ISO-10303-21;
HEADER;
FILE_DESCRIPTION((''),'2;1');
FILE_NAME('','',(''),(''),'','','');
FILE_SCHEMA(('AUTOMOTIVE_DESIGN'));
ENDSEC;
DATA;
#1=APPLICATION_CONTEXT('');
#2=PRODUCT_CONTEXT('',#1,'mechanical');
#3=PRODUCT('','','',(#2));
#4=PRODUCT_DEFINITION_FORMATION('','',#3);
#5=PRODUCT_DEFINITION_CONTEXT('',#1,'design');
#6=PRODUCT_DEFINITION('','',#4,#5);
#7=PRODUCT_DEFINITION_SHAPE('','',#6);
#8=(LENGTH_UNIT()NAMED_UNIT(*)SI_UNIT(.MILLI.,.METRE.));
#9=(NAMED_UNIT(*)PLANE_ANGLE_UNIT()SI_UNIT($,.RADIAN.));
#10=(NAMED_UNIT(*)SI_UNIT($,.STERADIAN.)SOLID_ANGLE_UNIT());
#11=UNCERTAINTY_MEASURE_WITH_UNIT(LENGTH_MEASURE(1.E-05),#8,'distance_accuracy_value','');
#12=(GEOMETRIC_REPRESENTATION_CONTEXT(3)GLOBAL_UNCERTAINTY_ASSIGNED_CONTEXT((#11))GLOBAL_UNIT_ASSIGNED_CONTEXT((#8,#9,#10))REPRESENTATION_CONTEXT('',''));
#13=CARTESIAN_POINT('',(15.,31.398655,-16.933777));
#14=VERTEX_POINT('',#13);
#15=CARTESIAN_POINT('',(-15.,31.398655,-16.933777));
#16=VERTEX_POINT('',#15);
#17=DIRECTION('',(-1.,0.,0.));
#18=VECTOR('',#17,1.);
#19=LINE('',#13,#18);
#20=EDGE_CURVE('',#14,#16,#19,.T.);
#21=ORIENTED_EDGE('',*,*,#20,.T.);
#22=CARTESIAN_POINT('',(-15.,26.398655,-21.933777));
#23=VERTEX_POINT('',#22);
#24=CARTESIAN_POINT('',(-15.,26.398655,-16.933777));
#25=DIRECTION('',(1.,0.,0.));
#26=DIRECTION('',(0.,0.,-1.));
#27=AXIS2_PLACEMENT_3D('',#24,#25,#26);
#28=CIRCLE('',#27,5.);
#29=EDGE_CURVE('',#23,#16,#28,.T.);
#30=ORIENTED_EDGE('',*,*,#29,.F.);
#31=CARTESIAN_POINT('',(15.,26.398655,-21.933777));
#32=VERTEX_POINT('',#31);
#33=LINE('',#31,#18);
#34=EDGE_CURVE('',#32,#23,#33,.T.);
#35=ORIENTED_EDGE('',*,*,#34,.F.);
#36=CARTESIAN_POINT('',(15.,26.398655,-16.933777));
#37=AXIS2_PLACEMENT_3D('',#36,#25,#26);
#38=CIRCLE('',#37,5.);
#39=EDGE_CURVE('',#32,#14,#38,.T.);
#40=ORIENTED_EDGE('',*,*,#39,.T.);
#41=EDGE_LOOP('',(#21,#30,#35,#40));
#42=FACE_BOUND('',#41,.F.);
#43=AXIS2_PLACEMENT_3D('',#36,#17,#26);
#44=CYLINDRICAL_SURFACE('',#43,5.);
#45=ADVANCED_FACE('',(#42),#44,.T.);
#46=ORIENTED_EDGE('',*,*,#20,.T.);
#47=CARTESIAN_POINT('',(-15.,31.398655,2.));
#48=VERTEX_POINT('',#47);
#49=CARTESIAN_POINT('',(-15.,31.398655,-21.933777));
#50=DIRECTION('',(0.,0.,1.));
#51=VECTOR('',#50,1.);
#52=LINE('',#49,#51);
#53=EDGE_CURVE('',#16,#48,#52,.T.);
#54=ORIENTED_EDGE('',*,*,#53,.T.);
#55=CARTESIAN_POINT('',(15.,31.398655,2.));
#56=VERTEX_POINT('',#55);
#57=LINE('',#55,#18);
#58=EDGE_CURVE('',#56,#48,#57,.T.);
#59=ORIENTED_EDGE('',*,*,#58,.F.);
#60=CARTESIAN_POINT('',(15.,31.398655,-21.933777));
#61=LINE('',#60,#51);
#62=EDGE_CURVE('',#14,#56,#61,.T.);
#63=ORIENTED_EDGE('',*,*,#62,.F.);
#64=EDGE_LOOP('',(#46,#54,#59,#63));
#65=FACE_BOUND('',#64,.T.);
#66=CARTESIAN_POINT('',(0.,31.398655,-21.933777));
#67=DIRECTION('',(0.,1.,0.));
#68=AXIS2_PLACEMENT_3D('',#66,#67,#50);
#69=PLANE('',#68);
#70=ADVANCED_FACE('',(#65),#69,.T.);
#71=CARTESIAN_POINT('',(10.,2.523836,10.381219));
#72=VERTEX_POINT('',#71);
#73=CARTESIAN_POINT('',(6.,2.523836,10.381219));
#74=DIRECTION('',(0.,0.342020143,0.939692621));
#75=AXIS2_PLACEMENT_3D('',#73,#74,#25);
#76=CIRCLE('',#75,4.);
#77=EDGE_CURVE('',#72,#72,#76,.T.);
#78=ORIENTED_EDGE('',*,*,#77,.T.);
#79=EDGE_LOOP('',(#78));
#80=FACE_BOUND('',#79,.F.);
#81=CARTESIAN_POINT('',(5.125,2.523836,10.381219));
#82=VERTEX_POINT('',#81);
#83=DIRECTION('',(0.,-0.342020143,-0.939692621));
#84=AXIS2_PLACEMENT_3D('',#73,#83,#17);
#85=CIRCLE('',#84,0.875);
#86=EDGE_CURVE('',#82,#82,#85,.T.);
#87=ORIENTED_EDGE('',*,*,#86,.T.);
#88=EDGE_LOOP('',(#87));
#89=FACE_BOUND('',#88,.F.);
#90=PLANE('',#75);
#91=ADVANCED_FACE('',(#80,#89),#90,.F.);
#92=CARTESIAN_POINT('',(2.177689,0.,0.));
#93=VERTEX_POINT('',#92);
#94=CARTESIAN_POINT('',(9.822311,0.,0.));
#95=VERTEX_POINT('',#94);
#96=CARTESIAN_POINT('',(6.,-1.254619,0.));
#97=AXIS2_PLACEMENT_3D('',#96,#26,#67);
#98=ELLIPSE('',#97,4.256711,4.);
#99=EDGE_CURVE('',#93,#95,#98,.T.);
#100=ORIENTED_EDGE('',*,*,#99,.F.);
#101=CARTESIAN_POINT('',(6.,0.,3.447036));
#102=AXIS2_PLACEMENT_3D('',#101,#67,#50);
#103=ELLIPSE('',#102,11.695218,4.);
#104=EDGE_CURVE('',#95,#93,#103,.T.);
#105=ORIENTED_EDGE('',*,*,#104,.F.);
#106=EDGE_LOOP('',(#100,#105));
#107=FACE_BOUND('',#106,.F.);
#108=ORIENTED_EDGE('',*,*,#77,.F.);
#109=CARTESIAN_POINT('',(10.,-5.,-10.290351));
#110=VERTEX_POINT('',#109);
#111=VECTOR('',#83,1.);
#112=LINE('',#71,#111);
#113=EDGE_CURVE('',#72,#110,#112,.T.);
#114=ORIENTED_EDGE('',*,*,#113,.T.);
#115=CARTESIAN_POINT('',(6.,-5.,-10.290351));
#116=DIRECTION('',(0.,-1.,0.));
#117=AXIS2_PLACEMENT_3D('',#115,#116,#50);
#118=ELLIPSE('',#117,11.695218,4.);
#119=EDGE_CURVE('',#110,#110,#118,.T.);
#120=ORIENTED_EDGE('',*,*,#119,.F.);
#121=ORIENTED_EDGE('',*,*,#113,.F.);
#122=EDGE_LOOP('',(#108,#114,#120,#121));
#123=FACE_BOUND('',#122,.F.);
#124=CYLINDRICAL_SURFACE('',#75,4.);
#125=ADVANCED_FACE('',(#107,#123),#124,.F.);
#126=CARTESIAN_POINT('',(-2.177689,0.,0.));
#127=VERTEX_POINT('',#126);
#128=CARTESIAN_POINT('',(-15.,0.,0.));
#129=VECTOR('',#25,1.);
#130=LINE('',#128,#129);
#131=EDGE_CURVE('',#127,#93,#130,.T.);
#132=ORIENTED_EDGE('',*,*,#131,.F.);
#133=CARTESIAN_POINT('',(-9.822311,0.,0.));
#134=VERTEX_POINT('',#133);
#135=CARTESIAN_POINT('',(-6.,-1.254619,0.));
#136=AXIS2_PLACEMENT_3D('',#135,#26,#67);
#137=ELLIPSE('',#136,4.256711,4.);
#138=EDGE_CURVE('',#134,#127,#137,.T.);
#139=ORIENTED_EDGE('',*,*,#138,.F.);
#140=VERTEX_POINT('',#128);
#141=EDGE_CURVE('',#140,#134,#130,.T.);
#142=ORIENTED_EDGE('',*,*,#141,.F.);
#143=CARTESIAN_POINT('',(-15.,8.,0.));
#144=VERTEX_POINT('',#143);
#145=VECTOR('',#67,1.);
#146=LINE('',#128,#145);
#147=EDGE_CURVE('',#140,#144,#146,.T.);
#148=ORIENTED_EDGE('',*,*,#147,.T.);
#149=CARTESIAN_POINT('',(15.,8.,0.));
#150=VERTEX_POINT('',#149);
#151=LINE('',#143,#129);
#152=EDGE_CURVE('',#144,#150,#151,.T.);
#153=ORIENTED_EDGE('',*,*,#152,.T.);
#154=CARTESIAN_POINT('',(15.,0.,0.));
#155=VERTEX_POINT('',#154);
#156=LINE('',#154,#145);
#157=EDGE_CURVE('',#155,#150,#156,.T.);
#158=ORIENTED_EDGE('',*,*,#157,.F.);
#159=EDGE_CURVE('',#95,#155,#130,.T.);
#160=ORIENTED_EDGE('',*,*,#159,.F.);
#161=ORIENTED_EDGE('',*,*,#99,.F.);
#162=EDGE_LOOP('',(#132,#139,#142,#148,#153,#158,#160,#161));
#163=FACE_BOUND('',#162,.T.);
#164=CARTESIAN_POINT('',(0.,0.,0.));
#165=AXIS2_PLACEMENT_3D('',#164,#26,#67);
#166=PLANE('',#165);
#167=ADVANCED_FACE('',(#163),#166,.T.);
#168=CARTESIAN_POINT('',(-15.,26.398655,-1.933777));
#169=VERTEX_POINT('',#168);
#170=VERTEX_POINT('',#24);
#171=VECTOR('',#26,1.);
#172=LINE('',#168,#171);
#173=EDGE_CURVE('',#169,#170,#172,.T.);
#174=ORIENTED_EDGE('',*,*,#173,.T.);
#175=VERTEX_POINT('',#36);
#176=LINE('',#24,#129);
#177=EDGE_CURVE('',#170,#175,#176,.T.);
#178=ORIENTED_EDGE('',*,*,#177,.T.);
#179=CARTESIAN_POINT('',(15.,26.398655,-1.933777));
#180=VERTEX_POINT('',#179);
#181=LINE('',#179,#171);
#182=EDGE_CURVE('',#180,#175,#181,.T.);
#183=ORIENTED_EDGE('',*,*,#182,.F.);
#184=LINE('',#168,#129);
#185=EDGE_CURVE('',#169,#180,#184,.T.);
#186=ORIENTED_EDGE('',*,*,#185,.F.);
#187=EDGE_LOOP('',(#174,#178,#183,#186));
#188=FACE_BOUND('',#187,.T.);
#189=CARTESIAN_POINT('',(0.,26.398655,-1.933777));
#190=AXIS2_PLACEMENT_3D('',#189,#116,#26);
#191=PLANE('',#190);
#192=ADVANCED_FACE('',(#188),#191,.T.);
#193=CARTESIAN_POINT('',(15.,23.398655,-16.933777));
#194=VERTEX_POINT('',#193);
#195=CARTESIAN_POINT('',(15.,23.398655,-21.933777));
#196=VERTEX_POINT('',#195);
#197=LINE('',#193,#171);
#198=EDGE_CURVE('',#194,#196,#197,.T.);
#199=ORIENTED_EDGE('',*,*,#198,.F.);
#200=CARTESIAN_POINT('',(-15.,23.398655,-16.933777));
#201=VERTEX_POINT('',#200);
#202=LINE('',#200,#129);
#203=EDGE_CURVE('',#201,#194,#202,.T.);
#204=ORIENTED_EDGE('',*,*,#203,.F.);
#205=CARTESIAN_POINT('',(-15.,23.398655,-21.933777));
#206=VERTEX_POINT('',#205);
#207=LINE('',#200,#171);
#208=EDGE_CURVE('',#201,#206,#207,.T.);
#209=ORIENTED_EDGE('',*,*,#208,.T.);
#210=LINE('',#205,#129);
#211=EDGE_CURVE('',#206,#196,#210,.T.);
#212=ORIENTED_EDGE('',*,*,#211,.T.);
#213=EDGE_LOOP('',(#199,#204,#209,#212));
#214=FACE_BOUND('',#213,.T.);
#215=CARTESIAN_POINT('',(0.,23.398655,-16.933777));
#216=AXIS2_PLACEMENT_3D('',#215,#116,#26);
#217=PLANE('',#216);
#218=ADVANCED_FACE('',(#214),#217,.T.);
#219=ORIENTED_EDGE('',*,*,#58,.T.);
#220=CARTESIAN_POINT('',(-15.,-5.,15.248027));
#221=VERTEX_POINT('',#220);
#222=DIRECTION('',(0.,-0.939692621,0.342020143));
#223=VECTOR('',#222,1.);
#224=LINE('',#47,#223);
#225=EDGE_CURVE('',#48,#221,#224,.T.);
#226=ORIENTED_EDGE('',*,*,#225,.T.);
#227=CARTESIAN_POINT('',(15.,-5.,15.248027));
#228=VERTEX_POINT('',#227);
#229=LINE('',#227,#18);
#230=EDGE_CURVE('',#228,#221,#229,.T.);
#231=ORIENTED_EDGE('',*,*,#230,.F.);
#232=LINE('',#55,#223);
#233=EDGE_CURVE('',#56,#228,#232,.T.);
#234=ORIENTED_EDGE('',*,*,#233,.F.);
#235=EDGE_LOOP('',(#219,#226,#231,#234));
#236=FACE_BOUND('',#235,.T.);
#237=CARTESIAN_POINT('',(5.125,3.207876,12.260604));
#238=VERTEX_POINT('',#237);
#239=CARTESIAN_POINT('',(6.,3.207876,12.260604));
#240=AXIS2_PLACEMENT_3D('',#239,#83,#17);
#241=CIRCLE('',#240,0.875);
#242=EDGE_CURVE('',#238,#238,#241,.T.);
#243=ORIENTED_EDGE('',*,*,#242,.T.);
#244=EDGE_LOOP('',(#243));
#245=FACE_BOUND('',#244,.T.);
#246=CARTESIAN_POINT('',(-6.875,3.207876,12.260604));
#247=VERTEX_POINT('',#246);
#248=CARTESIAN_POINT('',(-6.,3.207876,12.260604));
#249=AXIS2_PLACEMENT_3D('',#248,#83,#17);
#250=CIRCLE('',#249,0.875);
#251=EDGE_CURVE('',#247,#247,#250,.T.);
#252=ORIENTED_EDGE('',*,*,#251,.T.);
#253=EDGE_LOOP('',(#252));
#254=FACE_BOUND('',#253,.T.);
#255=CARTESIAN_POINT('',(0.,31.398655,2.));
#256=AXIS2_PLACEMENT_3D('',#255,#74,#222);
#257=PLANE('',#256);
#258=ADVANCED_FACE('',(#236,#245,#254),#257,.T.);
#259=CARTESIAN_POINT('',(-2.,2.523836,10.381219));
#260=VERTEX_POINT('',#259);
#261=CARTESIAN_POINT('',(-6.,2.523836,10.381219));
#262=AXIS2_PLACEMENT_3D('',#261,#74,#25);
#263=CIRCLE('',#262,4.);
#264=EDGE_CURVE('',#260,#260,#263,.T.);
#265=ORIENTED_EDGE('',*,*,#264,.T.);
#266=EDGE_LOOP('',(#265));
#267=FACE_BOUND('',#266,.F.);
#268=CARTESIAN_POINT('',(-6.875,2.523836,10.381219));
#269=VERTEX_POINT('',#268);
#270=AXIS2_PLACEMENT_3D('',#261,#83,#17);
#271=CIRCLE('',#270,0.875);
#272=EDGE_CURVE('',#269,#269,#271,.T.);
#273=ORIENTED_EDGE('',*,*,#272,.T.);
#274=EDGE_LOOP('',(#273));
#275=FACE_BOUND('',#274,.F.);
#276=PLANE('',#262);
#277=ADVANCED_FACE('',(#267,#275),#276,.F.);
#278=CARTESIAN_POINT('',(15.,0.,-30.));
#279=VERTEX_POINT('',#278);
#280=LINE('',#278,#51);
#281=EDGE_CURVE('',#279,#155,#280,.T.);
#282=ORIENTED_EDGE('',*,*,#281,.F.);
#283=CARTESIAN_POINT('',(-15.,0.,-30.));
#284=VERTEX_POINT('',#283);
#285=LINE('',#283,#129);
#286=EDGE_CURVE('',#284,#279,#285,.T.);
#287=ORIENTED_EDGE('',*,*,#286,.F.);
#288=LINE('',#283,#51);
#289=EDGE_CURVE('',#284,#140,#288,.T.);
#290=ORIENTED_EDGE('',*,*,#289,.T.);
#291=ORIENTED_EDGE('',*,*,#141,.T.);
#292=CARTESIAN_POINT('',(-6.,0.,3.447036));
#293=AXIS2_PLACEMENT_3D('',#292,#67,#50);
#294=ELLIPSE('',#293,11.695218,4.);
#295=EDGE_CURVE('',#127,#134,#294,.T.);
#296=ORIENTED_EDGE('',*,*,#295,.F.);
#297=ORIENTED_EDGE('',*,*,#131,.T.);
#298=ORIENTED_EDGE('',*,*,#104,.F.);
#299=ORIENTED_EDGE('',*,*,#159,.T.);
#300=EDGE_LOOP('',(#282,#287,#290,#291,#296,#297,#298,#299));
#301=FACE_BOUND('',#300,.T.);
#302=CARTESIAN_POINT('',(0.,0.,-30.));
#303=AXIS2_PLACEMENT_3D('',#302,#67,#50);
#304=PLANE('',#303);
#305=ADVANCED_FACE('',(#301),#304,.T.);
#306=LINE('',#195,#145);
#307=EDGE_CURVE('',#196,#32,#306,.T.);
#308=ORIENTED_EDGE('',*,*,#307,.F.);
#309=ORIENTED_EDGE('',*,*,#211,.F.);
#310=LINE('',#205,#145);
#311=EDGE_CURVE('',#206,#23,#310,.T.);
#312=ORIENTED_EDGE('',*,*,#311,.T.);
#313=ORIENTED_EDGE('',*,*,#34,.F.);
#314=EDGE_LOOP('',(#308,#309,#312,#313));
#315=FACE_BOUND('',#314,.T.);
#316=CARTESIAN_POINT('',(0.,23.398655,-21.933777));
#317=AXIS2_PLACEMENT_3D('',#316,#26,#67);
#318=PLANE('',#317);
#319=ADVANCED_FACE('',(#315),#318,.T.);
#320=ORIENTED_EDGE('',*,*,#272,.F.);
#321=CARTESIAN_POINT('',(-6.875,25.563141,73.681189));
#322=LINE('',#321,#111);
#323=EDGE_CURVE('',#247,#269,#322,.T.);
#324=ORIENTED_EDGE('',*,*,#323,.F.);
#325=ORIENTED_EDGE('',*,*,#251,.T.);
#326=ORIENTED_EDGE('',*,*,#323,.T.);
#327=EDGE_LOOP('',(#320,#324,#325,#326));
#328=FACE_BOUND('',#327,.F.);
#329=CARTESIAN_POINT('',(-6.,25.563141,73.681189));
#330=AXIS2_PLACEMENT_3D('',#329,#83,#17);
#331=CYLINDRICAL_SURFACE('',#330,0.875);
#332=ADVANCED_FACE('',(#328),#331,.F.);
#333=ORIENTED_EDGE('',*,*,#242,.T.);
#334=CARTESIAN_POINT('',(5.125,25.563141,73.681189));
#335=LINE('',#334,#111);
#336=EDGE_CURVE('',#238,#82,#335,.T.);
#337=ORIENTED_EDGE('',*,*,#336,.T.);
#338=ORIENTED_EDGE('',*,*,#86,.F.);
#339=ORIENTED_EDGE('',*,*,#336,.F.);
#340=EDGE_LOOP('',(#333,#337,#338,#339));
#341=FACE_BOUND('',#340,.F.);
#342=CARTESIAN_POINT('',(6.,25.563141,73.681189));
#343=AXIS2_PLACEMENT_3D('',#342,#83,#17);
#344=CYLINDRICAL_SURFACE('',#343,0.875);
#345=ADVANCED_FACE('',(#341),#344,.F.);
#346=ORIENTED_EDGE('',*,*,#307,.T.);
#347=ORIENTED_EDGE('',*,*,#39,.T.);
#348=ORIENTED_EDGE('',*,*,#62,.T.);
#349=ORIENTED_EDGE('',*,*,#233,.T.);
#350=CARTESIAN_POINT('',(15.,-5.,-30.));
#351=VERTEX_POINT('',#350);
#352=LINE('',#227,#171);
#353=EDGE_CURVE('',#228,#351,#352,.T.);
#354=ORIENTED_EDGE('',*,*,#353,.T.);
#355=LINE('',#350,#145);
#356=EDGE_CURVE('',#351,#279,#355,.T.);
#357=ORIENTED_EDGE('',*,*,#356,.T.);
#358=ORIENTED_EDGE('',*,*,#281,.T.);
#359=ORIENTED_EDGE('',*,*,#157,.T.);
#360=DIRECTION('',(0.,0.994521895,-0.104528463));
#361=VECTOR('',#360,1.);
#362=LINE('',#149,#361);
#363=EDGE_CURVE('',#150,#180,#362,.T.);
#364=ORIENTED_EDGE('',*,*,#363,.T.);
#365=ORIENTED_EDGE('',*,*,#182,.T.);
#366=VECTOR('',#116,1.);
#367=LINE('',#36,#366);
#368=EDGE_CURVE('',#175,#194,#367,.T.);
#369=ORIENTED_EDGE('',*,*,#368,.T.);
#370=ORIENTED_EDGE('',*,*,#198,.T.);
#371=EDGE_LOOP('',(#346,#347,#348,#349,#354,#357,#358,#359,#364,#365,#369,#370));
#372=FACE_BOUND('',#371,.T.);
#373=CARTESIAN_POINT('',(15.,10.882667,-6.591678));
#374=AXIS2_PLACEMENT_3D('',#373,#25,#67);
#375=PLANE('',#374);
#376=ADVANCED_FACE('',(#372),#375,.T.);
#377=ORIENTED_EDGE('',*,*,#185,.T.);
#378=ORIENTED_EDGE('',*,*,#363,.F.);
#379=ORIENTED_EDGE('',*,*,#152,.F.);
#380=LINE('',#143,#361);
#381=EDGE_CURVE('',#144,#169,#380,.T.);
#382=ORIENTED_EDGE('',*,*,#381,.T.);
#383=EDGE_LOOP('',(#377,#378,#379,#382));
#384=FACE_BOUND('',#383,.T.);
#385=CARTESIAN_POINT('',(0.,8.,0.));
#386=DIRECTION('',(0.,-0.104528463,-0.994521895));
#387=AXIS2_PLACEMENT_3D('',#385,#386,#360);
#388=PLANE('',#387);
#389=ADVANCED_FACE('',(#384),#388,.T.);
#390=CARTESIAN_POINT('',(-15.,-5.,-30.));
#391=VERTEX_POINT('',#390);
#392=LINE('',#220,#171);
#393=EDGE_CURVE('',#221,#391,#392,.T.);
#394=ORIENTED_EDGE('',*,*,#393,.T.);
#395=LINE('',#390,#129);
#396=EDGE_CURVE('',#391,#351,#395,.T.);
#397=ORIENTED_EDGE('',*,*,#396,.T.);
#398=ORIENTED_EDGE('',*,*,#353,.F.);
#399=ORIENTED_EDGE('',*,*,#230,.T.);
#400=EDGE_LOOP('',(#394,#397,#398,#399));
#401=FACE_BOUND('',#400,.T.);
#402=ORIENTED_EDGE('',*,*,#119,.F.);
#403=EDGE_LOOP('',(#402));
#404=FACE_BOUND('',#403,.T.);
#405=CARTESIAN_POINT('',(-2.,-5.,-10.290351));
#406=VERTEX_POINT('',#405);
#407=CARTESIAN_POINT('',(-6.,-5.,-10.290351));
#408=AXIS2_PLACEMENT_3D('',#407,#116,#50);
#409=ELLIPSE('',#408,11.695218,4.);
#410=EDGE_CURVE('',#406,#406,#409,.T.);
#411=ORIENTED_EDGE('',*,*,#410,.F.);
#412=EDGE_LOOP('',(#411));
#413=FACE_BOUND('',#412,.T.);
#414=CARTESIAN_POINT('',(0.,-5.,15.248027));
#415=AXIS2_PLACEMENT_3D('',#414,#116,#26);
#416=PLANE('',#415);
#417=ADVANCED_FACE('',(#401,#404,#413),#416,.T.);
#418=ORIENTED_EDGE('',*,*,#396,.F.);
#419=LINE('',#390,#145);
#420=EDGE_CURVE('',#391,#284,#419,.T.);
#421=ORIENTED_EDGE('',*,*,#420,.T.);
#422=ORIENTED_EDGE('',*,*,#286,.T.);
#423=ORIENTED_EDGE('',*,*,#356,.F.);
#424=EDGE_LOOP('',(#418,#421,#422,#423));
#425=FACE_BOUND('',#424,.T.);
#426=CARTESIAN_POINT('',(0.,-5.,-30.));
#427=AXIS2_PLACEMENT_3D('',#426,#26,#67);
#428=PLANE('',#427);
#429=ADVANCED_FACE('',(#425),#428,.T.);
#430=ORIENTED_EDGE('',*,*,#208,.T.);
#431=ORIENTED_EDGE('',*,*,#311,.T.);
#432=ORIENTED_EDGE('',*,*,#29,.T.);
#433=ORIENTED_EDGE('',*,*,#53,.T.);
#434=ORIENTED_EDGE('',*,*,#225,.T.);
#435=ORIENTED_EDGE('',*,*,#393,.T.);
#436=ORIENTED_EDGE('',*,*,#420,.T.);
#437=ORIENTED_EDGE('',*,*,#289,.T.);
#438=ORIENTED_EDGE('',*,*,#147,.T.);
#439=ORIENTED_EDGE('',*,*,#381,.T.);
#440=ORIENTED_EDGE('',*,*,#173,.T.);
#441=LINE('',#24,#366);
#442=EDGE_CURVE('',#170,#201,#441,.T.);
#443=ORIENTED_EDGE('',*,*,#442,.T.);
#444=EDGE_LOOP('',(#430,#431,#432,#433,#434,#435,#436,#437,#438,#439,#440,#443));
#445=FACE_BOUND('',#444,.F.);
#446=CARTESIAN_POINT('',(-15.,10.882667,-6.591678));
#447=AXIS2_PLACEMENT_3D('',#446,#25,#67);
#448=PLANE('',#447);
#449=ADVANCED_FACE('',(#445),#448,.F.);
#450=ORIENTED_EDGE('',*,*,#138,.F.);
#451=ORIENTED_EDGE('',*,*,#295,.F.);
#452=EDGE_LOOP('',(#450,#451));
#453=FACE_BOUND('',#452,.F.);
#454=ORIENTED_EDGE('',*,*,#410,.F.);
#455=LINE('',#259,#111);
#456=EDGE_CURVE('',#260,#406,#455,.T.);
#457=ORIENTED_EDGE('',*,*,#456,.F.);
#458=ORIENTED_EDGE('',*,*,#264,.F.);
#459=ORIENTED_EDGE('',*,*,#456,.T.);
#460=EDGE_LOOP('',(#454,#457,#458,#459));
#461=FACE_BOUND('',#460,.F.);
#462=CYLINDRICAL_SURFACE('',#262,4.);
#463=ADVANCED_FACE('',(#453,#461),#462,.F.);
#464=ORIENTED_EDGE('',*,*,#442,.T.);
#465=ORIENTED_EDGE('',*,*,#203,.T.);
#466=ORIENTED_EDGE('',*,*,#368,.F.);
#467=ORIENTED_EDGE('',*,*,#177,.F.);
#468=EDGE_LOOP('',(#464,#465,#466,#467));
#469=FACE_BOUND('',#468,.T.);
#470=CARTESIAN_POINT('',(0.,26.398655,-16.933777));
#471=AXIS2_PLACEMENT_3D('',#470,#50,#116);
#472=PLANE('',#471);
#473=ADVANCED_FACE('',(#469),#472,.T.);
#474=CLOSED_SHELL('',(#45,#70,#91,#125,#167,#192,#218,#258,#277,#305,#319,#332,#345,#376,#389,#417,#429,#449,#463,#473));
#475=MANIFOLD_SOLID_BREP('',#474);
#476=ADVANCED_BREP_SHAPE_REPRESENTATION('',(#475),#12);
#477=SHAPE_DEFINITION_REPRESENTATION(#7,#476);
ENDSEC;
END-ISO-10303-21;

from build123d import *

# Parameters (mm, degrees)
F1_DEPTH = 15
F3_START = -2
F2_R     = 4
F3_DEPTH = 40.5202370871
F4_D     = 1.75
F5_R     = 5


with BuildPart() as f1:
    # F0 (on Right) → F1 (new body, symmetric)
    with BuildSketch(Plane.YZ):
        Polygon((-5, 15.2480270107), (-5, -30), (0, -30), (0, 0), (8, 0), (26.3986550643, -1.9337765705), (26.3986550643, -16.9337765705), (23.3986550643, -16.9337765705), (23.3986550643, -21.9337765705), (31.3986550643, -21.9337765705), (31.3986550643, 2), align=None)
    extrude(amount=F1_DEPTH, both=True)

    # F2 (on face) → F3 (cut)
    with BuildSketch(Plane(origin=(0, 4.3157325251, 11.8573776612), x_dir=(1, 0, 0), z_dir=(0, 0.3420201433, 0.9396926208)).offset(F3_START)):
        with Locations((-6, -1.1789558201)):
            Circle(F2_R)
        with Locations((6, -1.1789558201)):
            Circle(F2_R)
    extrude(amount=-F3_DEPTH, mode=Mode.SUBTRACT)

    # F4 (through all)
    with Locations(Plane(origin=(0, 4.3157325251, 11.8573776612), x_dir=(1, 0, 0), z_dir=(0, 0.3420201433, 0.9396926208))):
        with Locations((6, -1.1789558201), (-6, -1.1789558201)):
            Hole(F4_D / 2)

    # F5
    f5_edges = [f1.edges().sort_by_distance(p)[0] for p in [
        (0, 31.398655, -21.933777),
    ]]
    fillet(f5_edges, radius=F5_R)


solid = f1.part
